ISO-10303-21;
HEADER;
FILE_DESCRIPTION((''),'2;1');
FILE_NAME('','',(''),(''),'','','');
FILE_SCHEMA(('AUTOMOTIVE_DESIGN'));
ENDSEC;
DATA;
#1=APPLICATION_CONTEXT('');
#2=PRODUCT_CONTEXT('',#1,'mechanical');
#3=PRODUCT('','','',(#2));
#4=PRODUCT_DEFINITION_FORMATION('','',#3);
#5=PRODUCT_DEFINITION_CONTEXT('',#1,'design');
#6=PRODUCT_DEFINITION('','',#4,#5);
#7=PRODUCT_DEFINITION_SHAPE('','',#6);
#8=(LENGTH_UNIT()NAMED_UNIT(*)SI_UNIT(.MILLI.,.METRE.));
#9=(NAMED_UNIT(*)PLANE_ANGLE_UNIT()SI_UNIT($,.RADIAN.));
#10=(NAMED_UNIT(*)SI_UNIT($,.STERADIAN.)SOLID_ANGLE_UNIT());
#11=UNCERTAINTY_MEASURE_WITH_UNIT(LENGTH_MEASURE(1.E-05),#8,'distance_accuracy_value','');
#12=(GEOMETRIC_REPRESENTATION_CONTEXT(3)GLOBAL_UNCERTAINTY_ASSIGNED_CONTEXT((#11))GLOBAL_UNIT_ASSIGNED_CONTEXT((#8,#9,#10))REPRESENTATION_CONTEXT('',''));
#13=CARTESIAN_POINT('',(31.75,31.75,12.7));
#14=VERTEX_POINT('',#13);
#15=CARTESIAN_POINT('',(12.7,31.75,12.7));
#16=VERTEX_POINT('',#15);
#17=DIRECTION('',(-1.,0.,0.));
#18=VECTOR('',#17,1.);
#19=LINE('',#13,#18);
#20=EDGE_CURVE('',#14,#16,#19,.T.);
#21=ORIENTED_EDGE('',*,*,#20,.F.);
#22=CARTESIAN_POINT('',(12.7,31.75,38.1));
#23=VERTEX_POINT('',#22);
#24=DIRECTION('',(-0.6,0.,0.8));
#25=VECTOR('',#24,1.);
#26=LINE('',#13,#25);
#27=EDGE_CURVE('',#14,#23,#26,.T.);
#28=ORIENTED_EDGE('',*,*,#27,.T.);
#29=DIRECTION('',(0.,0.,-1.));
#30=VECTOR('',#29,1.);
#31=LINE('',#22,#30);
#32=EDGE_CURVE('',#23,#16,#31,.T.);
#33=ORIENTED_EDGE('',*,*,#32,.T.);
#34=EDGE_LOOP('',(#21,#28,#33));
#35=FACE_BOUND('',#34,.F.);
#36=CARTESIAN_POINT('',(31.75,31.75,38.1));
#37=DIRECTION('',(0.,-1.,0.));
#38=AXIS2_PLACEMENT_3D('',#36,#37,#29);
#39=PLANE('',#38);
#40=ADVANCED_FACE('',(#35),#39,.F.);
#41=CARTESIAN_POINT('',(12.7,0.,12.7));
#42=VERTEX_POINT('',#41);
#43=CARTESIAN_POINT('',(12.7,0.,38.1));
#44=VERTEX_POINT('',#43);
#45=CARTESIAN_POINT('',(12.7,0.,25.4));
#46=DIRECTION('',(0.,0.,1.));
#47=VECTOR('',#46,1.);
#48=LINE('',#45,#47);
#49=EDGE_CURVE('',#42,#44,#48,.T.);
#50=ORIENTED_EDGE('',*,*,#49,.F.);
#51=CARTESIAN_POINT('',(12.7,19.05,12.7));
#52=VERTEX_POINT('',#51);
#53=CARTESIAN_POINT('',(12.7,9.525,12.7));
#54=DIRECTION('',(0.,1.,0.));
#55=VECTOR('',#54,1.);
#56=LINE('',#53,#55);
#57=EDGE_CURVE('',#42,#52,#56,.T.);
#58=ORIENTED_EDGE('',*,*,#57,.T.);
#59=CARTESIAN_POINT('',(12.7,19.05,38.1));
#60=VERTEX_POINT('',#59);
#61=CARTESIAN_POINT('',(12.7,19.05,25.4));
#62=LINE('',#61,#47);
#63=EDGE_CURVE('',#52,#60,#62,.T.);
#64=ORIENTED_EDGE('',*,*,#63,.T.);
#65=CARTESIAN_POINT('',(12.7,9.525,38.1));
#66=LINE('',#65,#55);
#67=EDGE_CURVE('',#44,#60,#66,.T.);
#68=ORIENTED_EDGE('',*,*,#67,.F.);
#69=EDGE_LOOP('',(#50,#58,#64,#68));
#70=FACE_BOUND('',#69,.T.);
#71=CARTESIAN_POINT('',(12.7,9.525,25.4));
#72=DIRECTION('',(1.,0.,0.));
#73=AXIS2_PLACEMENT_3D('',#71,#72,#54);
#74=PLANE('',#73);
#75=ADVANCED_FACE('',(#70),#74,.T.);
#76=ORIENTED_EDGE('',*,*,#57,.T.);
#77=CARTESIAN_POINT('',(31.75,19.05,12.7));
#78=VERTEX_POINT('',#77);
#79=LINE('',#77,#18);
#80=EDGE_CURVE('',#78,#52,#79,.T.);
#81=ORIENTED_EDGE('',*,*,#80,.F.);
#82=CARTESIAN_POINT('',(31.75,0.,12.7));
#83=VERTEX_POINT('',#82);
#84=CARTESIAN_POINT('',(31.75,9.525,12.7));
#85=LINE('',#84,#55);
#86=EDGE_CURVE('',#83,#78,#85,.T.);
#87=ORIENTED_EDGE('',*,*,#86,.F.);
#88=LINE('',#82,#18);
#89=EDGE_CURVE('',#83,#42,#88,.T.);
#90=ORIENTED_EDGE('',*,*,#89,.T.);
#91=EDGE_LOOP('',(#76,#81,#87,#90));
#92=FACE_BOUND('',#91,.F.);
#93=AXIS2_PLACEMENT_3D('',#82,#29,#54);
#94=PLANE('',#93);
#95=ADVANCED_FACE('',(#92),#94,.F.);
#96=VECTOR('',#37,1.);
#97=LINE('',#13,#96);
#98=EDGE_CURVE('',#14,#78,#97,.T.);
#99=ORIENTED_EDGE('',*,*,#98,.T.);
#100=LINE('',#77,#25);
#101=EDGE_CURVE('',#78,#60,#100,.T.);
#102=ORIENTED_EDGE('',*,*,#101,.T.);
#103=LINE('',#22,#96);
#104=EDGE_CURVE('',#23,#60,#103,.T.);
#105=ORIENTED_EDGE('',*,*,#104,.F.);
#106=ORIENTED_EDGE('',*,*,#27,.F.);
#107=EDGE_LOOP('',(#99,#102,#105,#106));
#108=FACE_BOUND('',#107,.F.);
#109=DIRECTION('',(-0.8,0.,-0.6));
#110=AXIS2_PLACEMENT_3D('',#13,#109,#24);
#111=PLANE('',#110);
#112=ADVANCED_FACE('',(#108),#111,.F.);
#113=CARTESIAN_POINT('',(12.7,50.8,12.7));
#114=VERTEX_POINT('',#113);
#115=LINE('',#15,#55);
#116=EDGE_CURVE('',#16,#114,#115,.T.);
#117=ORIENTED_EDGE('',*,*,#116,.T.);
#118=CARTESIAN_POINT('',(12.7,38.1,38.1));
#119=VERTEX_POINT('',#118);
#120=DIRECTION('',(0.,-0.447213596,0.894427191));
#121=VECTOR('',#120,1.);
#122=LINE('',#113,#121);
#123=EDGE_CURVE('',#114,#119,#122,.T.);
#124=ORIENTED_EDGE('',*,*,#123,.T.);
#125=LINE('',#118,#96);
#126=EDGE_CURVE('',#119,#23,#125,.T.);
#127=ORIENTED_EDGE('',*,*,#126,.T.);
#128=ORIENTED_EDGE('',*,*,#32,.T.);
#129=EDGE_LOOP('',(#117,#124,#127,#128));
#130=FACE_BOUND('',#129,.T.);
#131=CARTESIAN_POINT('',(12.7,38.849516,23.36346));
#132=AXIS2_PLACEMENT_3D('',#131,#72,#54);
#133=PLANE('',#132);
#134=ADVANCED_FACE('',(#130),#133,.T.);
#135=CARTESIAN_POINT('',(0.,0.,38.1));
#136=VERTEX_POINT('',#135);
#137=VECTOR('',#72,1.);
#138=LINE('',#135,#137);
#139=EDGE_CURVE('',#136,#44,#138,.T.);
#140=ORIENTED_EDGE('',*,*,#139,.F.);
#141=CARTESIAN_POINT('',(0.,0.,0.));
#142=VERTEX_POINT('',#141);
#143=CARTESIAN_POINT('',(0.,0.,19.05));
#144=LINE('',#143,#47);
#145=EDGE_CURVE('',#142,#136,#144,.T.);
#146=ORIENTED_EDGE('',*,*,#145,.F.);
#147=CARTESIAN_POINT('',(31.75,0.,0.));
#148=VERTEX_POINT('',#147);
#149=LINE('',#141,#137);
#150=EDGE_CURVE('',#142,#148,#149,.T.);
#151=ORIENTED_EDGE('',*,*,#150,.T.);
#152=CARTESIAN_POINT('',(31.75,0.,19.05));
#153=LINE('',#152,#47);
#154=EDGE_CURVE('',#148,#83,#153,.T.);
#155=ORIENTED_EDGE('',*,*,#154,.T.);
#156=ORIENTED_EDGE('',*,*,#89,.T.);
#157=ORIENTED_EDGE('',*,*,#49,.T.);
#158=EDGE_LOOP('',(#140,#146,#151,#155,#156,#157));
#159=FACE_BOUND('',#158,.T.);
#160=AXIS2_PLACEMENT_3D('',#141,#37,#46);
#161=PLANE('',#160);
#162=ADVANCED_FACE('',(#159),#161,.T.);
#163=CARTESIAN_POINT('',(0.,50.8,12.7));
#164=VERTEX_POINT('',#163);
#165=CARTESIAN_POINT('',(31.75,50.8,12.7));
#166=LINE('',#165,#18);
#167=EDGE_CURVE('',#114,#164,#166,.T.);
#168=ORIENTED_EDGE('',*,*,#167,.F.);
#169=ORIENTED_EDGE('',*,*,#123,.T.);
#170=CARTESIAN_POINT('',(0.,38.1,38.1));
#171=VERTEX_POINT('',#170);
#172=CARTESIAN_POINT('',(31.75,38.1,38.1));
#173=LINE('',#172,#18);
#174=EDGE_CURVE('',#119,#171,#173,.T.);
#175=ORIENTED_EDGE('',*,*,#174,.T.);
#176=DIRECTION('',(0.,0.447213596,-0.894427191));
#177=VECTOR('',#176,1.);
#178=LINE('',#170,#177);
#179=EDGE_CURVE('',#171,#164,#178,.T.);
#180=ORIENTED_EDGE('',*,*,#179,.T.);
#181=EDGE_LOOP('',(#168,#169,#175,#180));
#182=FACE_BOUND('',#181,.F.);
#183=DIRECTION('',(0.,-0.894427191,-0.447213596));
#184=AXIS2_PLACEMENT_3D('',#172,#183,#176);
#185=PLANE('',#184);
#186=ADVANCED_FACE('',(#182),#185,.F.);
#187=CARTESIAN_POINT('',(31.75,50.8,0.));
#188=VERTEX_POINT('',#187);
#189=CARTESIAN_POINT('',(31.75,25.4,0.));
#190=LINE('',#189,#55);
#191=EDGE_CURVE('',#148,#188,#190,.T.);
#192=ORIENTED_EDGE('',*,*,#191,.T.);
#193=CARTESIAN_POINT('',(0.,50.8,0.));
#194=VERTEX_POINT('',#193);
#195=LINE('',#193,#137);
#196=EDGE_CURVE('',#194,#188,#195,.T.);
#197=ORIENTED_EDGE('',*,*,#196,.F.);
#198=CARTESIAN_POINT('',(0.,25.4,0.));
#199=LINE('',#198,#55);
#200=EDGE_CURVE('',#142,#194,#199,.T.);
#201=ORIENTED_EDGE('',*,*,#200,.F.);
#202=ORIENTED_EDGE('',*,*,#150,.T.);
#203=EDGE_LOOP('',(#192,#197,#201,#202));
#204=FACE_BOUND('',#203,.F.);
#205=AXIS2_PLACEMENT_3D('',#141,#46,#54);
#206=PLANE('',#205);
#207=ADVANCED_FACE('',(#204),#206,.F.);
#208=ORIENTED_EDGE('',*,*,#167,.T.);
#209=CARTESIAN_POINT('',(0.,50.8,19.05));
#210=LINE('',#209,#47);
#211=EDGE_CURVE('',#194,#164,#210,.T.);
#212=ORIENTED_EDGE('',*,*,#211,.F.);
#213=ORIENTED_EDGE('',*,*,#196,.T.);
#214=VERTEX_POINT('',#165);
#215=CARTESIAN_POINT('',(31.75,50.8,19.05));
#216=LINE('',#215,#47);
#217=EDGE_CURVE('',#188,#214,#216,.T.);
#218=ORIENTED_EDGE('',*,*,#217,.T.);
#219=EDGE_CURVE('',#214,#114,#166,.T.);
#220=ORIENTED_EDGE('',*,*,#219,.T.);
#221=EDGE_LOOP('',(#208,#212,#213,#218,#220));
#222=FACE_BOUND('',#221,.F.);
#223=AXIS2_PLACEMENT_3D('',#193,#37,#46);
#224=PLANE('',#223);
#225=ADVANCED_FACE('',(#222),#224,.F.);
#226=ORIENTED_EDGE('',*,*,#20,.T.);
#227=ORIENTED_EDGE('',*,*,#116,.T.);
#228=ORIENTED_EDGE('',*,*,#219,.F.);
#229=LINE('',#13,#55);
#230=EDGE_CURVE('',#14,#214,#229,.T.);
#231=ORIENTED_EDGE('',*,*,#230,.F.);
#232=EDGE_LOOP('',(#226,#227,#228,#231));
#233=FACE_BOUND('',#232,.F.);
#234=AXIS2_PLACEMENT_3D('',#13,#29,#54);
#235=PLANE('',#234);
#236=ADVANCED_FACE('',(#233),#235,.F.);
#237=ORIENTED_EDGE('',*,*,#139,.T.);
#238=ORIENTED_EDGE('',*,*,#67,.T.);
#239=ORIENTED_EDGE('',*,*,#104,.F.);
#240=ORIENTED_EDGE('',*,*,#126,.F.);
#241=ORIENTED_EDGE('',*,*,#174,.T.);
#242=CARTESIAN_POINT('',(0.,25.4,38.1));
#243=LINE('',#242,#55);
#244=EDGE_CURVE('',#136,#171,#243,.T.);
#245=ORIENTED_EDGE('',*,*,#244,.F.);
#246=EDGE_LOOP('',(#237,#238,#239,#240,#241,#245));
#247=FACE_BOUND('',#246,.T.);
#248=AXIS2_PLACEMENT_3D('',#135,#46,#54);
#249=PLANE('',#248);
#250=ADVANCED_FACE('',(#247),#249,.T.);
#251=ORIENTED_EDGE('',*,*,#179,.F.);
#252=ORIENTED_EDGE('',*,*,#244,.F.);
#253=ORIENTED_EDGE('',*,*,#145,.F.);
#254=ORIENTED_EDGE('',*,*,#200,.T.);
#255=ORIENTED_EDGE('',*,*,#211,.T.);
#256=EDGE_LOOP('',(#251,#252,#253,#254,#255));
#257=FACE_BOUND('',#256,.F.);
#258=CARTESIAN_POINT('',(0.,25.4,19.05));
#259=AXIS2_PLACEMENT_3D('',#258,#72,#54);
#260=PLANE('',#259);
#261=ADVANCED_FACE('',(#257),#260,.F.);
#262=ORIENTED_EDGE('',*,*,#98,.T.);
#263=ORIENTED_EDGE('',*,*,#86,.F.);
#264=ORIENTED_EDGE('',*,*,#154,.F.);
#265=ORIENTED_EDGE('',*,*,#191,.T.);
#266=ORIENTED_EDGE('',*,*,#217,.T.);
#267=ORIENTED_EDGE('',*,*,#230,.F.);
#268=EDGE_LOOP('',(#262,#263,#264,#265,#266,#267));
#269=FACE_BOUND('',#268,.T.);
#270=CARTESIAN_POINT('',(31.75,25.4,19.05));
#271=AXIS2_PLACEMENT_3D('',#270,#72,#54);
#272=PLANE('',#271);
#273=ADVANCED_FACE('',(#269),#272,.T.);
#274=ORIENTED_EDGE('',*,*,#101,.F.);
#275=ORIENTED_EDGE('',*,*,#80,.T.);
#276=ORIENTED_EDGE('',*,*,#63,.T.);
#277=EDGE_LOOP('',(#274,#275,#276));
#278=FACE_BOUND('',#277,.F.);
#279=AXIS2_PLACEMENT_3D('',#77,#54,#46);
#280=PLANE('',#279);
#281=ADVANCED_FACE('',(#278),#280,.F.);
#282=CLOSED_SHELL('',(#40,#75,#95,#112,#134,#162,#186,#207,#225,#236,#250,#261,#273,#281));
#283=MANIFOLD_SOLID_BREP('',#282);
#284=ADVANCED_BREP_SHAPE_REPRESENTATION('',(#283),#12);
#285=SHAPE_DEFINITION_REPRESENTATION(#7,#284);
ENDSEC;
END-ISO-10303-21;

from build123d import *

# Parameters (mm, degrees)
F0_W     = 50.8
F0_H     = 38.1
F1_DEPTH = 31.75
F3_DEPTH = 31.75
F5_DEPTH = 19.05
F7_DEPTH = 12.7
F8_W     = 19.05
F8_H     = 25.4
F9_DEPTH = 19.05


with BuildPart() as f1:
    # F0 (on Right) → F1 (new body)
    with BuildSketch(Plane.YZ):
        with Locations((25.4, 19.05)):
            Rectangle(F0_W, F0_H)
    extrude(amount=F1_DEPTH)

    # F2 (on face) → F3 (cut)
    with BuildSketch(Plane.YZ.offset(31.75)):
        Polygon((50.8, 12.7), (50.8, 38.1), (38.1, 38.1), align=None)
    extrude(amount=-F3_DEPTH, mode=Mode.SUBTRACT)

    # F4 (on face) → F5 (cut)
    with BuildSketch(Plane.YZ.offset(31.75)):
        Polygon((31.75, 12.7), (50.8, 12.7), (38.1, 38.1), (31.75, 38.1), align=None)
    extrude(amount=-F5_DEPTH, mode=Mode.SUBTRACT)

    # F6 (on face) → F7 (cut)
    with BuildSketch(Plane(origin=(0, 31.75, 0), x_dir=(-1, 0, 0), z_dir=(0, 1, 0))):
        Polygon((-31.75, 38.1), (-31.75, 12.7), (-12.7, 38.1), align=None)
    extrude(amount=-F7_DEPTH, mode=Mode.SUBTRACT)

    # F8 (on face) → F9 (cut)
    with BuildSketch(Plane.YZ.offset(31.75)):
        with Locations((9.525, 25.4)):
            Rectangle(F8_W, F8_H)
    extrude(amount=-F9_DEPTH, mode=Mode.SUBTRACT)


solid = f1.part
